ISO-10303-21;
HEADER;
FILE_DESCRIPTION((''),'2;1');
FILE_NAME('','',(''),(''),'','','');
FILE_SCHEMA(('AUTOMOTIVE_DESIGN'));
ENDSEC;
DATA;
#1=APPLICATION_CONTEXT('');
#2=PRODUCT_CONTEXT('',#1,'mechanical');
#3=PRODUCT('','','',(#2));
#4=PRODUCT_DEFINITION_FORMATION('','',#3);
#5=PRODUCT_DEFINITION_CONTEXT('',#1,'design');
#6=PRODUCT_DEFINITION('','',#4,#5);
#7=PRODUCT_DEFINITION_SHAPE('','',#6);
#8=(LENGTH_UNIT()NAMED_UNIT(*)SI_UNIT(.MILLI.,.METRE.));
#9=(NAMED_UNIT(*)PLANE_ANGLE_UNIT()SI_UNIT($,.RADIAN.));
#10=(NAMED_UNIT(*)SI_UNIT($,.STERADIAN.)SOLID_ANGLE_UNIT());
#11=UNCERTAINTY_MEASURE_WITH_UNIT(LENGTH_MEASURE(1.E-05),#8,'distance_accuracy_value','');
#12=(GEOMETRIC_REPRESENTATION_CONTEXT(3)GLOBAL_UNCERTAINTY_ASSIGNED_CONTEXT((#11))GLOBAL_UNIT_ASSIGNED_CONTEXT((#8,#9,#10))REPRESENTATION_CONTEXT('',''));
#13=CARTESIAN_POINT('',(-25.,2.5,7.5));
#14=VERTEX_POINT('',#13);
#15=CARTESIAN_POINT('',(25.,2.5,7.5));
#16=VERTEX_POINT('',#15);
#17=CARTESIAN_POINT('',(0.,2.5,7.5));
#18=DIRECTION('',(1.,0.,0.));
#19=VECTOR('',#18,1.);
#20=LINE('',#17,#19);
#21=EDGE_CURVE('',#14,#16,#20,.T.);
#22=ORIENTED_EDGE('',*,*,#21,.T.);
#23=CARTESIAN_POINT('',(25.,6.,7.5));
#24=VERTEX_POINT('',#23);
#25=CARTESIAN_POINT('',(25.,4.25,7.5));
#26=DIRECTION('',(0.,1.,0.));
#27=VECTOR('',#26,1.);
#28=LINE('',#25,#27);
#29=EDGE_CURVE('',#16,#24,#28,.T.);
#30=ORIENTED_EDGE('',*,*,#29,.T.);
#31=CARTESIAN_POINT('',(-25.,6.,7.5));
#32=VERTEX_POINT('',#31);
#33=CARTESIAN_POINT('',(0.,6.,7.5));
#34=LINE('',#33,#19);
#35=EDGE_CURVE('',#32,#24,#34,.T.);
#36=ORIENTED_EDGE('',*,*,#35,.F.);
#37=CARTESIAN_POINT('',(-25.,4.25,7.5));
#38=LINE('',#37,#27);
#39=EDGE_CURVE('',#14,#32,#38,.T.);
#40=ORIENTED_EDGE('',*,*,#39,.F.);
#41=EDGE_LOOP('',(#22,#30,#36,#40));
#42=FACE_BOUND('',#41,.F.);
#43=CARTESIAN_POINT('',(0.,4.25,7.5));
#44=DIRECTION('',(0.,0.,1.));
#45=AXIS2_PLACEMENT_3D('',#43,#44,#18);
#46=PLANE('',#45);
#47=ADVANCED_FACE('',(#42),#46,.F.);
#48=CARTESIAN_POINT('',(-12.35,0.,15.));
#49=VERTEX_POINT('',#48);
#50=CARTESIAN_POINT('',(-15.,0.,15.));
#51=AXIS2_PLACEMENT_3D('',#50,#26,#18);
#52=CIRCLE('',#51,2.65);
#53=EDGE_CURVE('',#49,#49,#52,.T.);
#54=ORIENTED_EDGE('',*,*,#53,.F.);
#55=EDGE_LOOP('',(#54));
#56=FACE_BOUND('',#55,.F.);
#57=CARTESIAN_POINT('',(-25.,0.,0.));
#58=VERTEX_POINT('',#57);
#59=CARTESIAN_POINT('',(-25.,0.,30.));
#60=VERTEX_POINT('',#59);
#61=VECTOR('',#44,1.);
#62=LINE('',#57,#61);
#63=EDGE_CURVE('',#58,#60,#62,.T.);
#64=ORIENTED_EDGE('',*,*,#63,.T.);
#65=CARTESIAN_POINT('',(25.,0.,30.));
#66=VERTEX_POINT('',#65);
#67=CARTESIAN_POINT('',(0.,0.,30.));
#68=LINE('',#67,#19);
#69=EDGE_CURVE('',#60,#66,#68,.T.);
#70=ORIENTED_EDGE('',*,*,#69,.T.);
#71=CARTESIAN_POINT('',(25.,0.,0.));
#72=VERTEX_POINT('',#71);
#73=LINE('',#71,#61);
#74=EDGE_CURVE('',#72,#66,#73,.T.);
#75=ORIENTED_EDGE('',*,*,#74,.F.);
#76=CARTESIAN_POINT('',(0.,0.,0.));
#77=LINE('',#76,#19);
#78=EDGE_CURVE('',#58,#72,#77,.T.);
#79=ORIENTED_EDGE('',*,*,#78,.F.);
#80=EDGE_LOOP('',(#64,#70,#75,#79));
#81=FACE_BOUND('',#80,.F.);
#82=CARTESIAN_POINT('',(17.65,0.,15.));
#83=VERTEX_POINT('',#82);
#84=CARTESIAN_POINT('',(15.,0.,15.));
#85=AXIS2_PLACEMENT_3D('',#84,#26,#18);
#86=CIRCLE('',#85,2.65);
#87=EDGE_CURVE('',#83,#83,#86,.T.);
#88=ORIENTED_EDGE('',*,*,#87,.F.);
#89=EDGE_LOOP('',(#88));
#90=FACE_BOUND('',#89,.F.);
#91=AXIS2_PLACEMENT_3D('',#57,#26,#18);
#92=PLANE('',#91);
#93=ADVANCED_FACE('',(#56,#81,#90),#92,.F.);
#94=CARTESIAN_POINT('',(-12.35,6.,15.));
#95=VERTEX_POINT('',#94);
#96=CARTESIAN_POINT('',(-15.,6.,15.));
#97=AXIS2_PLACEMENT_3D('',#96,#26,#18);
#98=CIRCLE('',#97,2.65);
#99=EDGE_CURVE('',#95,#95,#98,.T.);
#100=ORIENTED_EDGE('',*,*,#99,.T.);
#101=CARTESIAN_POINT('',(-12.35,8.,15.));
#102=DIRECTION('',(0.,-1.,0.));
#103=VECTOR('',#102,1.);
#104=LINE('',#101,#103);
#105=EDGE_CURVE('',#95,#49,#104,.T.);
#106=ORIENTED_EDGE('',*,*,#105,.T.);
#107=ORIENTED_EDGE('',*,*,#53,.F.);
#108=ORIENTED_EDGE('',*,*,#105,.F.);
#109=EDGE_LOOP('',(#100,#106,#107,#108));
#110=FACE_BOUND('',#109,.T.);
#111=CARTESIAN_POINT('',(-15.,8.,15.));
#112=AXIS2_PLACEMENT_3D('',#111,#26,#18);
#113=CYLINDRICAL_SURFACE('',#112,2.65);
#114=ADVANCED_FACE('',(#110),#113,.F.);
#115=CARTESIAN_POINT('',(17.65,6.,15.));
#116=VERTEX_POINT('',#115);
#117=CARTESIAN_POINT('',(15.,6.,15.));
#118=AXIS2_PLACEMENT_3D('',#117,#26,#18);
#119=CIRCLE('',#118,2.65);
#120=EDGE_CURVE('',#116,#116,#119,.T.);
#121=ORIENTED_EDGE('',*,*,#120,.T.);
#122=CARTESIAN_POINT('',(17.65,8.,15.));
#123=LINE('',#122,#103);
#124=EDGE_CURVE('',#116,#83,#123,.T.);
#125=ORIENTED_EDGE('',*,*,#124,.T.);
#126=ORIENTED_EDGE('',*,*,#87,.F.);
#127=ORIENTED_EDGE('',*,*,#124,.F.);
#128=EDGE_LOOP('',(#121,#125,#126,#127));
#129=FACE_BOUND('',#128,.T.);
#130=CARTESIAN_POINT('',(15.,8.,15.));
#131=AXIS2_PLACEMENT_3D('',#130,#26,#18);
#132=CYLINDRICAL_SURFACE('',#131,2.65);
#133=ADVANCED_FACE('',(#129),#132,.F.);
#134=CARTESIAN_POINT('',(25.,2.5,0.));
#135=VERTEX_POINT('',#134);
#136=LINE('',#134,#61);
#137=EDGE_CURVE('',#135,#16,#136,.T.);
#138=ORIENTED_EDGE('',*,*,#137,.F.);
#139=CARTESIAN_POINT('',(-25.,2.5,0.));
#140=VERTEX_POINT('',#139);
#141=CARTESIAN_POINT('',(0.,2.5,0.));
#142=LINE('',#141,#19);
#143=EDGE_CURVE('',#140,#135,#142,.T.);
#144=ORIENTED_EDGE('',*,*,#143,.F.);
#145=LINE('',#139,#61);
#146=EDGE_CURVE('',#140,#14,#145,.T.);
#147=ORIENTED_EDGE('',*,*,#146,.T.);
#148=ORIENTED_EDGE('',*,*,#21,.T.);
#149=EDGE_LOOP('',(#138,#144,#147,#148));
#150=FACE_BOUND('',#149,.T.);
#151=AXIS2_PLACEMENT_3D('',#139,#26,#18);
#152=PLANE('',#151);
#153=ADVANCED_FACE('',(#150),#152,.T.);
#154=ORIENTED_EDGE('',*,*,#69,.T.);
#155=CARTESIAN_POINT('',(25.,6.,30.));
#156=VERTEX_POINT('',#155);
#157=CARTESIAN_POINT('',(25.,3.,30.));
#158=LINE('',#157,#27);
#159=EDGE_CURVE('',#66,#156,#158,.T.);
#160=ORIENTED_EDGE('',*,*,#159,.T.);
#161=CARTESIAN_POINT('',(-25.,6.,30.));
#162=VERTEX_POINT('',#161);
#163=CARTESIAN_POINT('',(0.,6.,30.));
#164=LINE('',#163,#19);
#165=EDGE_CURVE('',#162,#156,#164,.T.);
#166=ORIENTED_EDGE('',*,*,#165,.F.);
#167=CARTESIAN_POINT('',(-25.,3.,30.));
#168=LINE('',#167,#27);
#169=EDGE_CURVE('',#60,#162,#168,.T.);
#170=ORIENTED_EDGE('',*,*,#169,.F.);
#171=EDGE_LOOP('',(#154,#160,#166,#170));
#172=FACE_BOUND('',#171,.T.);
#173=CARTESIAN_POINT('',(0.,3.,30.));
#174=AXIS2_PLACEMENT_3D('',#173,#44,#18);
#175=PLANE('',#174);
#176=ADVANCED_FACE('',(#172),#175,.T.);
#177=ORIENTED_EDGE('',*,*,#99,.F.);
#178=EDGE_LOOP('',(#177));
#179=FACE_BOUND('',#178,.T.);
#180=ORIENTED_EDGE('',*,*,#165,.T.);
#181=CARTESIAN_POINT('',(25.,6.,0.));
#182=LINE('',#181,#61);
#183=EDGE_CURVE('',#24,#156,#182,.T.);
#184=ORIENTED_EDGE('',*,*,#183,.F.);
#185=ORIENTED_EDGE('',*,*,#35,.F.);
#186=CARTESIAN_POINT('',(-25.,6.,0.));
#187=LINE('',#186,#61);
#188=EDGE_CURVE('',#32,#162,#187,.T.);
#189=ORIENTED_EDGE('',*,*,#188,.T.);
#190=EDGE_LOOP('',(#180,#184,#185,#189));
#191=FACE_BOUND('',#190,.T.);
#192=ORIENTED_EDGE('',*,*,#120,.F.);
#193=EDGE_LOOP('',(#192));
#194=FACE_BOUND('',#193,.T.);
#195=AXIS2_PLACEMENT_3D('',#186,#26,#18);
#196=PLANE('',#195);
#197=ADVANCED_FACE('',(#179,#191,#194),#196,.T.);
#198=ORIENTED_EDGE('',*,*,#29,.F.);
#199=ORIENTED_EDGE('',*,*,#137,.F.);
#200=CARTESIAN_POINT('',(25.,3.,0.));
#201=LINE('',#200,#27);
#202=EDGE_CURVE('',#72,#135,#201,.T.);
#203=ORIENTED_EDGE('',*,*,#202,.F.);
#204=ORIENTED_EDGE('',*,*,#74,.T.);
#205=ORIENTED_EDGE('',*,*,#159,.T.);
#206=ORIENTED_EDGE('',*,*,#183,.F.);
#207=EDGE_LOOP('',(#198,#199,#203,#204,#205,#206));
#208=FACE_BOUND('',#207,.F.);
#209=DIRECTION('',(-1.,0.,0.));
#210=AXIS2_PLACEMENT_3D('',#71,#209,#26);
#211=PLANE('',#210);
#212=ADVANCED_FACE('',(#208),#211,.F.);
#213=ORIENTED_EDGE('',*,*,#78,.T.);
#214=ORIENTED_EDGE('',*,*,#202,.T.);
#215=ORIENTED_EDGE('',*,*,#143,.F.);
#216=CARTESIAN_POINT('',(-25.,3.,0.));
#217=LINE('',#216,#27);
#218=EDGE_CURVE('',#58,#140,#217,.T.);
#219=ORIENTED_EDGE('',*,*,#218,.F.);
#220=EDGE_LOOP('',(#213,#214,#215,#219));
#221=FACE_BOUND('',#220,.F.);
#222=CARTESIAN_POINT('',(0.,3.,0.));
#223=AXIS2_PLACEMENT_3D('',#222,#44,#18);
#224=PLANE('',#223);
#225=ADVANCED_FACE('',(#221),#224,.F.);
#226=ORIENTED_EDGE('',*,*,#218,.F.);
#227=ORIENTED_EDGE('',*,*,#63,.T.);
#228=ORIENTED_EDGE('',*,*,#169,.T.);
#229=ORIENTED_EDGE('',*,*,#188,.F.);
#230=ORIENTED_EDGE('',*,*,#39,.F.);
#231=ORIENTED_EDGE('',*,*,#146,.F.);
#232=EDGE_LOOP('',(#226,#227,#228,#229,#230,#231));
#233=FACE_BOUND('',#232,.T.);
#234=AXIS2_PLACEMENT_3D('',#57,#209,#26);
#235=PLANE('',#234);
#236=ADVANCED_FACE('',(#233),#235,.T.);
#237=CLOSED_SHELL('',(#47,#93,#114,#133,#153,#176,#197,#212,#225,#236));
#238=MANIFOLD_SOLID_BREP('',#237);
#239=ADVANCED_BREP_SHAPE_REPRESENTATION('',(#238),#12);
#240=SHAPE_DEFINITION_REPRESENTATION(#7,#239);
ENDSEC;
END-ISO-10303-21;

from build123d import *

# Parameters (mm, degrees)
CYLINDER019_R     = 2.65
CYLINDER019_DEPTH = 10
CYLINDER020_R     = 2.65
CYLINDER020_DEPTH = 10
BOX048_W          = 50
BOX048_H          = 3.5
BOX048_DEPTH      = 7.5
BOX047_W          = 50
BOX047_H          = 6
BOX047_DEPTH      = 30


with BuildPart() as cylinder019:
    # Cylinder019 → Cylinder019 (new body)
    with BuildSketch(Plane(origin=(15, 5, 15), x_dir=(1, 0, 0), z_dir=(0, -1, 0))):
        Circle(CYLINDER019_R)
    extrude(amount=CYLINDER019_DEPTH)


with BuildPart() as fusion028:
    # Cylinder020 → Cylinder020 (new body)
    with BuildSketch(Plane(origin=(-15, 5, 15), x_dir=(1, 0, 0), z_dir=(0, -1, 0))):
        Circle(CYLINDER020_R)
    extrude(amount=CYLINDER020_DEPTH)

    # Fusion028: union Cylinder019
    add(cylinder019.part)


with BuildPart() as fusion028_1:
    # Fusion028 placement: moved
    add(fusion028.part.moved(Location((0, 3, 0))))


with BuildPart() as cube048:
    # Box048 → Box048 (new body)
    with BuildSketch(Plane(origin=(-25, 2.5, 0), x_dir=(1, 0, 0), z_dir=(0, 0, 1))):
        with Locations((25, 1.75)):
            Rectangle(BOX048_W, BOX048_H)
    extrude(amount=BOX048_DEPTH)


with BuildPart() as cut024006004:
    # Box047 → Box047 (new body)
    with BuildSketch(Plane(origin=(-25, 0, 0), x_dir=(1, 0, 0), z_dir=(0, 0, 1))):
        with Locations((25, 3)):
            Rectangle(BOX047_W, BOX047_H)
    extrude(amount=BOX047_DEPTH)

    # Cut024006003: cut Cube048
    add(cube048.part, mode=Mode.SUBTRACT)

    # Cut024006004: cut Fusion028
    add(fusion028_1.part, mode=Mode.SUBTRACT)


solid = cut024006004.part
